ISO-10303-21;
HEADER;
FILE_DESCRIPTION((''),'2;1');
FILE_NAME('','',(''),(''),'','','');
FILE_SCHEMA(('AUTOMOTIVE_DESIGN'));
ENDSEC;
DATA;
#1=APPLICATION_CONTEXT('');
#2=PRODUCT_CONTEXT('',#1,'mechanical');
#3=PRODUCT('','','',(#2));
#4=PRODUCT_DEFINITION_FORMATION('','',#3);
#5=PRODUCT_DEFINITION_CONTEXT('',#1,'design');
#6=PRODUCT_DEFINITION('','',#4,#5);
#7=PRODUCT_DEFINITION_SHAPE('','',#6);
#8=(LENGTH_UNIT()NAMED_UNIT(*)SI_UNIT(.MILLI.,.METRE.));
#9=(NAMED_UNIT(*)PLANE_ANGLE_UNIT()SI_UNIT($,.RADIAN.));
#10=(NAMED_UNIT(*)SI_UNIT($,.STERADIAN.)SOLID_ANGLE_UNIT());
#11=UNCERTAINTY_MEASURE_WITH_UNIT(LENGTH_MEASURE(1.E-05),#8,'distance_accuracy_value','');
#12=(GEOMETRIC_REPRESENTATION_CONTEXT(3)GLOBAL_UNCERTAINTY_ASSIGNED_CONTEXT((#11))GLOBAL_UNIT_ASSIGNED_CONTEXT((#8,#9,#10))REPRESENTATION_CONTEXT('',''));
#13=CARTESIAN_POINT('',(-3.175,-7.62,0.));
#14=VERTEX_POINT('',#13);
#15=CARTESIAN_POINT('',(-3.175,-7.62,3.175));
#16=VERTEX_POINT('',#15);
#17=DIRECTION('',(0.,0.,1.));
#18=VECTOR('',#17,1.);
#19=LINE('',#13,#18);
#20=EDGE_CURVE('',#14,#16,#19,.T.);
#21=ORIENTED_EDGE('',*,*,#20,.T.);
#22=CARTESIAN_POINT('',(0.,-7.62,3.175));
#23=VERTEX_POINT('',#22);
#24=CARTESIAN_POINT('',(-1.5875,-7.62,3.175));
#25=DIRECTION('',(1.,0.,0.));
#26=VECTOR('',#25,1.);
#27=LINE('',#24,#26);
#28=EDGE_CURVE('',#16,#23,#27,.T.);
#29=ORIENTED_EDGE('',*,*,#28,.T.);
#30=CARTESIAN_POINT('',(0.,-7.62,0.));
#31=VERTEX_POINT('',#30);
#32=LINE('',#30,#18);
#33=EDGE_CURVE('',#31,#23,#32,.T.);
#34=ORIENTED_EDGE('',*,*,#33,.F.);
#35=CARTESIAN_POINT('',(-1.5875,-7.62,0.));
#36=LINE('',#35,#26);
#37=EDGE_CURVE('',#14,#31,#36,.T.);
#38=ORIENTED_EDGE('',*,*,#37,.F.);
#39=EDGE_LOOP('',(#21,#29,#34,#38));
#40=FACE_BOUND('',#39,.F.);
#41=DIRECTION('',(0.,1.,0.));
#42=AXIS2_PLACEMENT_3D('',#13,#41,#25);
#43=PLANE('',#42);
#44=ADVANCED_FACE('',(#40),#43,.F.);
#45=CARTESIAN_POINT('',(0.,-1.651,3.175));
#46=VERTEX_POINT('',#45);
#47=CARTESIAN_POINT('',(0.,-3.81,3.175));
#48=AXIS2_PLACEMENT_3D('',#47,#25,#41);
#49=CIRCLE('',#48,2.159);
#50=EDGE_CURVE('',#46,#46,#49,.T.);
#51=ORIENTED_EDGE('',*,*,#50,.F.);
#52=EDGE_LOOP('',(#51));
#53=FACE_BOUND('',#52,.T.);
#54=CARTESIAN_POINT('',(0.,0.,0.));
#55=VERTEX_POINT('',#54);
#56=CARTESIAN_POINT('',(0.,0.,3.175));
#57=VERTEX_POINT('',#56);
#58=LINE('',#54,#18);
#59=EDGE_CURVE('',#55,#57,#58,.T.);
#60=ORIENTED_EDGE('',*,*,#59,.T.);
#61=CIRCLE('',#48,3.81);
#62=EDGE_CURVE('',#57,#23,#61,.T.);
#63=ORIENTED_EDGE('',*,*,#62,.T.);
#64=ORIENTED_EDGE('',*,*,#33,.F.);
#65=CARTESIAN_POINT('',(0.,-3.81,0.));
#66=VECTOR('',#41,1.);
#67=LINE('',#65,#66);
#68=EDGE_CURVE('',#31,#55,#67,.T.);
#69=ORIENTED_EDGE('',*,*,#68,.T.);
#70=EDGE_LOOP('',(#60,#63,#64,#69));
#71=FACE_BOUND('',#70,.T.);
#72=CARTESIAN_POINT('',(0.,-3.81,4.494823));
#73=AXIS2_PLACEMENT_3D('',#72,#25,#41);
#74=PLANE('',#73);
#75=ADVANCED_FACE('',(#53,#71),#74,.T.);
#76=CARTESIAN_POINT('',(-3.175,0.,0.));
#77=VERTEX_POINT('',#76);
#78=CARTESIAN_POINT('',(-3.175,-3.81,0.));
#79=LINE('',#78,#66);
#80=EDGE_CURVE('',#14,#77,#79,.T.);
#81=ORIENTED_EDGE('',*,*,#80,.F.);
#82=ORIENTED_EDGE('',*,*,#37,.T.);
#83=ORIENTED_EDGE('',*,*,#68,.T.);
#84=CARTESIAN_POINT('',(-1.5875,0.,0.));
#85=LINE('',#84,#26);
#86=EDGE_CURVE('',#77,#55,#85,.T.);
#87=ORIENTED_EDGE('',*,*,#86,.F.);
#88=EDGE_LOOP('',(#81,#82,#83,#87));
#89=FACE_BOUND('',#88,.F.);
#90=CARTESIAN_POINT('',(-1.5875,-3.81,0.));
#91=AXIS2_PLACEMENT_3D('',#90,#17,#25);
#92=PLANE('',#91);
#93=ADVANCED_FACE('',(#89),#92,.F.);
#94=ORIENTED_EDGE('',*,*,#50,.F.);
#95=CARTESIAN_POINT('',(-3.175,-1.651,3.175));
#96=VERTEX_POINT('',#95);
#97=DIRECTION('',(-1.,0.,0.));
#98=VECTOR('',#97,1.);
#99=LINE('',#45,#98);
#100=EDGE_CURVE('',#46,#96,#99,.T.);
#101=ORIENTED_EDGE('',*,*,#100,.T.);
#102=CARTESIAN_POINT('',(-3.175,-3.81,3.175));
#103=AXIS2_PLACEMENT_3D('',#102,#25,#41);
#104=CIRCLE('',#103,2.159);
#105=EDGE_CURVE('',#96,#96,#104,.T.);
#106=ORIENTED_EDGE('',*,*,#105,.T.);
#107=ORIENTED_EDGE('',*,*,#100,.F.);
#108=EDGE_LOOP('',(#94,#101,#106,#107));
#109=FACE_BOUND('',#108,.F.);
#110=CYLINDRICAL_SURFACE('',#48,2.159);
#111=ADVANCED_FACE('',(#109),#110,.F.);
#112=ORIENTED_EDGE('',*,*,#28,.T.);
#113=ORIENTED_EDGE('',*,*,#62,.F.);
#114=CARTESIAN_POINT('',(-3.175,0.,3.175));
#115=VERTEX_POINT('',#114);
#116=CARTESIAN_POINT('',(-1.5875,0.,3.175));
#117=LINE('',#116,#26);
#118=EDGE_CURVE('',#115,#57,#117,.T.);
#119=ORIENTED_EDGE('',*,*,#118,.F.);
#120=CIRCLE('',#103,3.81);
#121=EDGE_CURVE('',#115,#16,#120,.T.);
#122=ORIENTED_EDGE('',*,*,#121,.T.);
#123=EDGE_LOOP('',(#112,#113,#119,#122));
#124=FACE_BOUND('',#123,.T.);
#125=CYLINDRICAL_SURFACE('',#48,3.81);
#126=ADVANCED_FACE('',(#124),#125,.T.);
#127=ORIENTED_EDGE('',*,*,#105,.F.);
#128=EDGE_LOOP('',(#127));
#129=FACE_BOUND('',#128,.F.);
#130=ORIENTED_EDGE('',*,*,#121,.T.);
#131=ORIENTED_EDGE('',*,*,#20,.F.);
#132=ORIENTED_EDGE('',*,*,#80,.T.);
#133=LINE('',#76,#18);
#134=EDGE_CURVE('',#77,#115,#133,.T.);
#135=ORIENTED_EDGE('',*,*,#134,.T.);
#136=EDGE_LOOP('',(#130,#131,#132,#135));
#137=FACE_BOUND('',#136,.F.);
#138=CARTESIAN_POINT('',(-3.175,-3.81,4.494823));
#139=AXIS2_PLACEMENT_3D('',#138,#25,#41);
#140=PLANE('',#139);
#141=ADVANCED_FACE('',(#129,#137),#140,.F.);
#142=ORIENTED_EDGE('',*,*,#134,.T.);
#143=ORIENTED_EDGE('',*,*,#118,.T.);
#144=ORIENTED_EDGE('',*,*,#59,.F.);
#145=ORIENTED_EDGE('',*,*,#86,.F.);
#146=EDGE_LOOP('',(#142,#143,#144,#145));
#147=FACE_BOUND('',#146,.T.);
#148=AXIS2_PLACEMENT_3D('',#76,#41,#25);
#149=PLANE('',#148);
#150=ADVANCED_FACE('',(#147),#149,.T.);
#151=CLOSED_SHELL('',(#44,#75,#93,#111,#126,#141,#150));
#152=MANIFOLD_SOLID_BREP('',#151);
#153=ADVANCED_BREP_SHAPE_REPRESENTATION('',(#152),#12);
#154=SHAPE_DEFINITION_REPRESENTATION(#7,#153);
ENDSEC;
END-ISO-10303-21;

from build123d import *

# Parameters (mm, degrees)
F0_W     = 3.175
F0_H     = 7.62
F1_DEPTH = 3.175
F3_DEPTH = 3.175
F4_R     = 2.159
F5_DEPTH = 25.4


with BuildPart() as f1:
    # F0 (on Top) → F1 (new body)
    with BuildSketch(Plane.XY):
        with Locations((-1.5875, -3.81)):
            Rectangle(F0_W, F0_H)
    extrude(amount=F1_DEPTH)

    # F2 (on face) → F3 (join)
    with BuildSketch(Plane.YZ):
        with BuildLine():
            Line((-7.62, 3.175), (0, 3.175))
            ThreePointArc((0, 3.175), (-3.81, 6.985), (-7.62, 3.175))
        make_face()
    extrude(amount=-F3_DEPTH)

    # F4 (on face) → F5 (cut)
    with BuildSketch(Plane.YZ):
        with Locations((-3.81, 3.175)):
            Circle(F4_R)
    extrude(amount=-F5_DEPTH, mode=Mode.SUBTRACT)


solid = f1.part
